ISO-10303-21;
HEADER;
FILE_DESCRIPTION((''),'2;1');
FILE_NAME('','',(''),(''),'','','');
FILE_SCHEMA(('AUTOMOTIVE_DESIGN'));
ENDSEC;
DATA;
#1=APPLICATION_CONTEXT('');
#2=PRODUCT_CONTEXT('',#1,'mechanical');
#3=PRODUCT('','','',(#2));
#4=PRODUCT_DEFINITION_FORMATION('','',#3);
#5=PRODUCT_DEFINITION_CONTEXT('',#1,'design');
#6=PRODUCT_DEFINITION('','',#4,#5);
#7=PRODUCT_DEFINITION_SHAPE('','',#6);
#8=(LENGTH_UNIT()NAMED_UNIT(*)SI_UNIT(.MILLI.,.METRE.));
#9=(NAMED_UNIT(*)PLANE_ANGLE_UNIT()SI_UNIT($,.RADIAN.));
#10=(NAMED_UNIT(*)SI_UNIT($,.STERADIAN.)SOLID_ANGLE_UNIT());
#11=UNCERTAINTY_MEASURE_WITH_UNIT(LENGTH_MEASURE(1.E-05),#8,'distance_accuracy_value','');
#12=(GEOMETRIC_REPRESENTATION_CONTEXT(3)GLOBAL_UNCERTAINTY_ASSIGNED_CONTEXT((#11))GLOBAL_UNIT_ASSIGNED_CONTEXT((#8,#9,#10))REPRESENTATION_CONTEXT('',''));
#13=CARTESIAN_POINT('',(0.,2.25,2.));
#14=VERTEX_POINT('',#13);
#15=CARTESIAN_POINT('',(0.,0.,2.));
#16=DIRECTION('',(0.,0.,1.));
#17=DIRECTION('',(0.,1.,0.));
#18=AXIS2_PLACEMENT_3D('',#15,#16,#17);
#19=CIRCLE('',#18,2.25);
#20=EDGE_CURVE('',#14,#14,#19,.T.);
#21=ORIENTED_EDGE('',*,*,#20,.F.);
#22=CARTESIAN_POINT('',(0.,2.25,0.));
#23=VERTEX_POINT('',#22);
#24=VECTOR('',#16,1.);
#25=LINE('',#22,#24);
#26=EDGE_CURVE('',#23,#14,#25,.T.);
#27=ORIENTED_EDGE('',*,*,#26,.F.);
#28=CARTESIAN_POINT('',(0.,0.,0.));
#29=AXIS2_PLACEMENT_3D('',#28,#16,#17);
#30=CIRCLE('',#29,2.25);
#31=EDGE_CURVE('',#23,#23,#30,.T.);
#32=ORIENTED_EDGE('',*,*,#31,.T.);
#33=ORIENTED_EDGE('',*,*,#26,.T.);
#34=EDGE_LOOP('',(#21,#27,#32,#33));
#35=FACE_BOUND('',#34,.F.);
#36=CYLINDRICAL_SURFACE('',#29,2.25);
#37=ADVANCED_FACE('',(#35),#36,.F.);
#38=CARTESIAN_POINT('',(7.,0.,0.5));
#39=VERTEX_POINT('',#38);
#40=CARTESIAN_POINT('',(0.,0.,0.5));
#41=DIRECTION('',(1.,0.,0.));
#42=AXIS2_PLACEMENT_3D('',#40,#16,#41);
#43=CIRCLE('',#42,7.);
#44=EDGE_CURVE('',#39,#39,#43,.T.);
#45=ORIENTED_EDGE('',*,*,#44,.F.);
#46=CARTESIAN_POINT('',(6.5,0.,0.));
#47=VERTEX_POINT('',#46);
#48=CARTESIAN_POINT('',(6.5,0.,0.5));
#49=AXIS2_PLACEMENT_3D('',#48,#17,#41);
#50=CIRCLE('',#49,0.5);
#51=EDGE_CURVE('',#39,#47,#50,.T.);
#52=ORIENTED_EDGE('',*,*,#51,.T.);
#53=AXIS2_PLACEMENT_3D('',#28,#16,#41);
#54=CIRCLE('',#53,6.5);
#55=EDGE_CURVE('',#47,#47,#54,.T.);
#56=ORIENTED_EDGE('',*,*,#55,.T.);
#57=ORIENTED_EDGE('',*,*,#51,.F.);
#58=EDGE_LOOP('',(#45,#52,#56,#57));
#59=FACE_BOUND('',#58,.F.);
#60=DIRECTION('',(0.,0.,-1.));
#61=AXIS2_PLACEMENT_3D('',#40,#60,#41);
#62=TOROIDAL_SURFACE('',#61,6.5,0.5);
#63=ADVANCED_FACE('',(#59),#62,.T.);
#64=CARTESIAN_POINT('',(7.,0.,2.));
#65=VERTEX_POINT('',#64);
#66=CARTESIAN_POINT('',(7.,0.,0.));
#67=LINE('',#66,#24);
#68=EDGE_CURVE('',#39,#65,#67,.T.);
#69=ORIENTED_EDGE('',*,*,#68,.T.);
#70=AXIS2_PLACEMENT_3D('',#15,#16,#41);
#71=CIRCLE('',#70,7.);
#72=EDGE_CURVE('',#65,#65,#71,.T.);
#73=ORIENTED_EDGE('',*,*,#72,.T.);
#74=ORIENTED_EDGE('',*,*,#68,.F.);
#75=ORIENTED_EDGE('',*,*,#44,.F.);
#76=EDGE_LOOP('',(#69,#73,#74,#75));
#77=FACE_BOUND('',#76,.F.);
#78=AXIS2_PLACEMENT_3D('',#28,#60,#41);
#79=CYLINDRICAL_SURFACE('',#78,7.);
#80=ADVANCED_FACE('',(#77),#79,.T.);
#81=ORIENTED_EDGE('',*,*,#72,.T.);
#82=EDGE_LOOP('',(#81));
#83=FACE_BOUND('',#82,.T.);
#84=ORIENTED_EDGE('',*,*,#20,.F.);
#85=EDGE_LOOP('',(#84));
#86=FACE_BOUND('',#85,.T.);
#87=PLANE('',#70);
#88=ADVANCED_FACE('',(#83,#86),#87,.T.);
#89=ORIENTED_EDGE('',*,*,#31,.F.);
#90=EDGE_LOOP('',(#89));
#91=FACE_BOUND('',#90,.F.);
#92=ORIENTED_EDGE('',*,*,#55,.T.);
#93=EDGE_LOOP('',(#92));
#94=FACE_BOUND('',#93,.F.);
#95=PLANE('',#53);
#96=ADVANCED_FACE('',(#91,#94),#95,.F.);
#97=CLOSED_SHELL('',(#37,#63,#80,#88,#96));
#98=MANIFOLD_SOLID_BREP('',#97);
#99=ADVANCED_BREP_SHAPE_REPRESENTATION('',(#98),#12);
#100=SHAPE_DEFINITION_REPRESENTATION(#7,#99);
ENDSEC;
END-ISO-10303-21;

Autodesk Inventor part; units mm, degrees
ref_plane "YZ Plane" through (0, 0, 0) normal (1, 0, 0) x (0, 1, 0)
ref_plane "XZ Plane" through (0, 0, 0) normal (0, 1, 0) x (-1, 0, 0)
ref_plane "XY Plane" through (0, 0, 0) normal (0, 0, 1) x (1, 0, 0)
sketch "Sketch2" plane through (0, 0, 0) normal (0, 0, 1) x (1, 0, 0)
  circle A0 centre (0, 0) radius 7
  dimension "d0" = 14
extrude "Extrusion1" add sketch "Sketch2" along normal blind 2
fillet "Fillet2" radius 0.5 1 edges at (-7, 0, 0)
hole "Hole1" at (0, 0, 0) direction (0, 0, 1) diameter 4.5 end through all clearance for "Countersunk Flat Head Screw ISO 2009/7046" size "M4" standard "ISO"
properties part number "P020" material "Aluminium"
